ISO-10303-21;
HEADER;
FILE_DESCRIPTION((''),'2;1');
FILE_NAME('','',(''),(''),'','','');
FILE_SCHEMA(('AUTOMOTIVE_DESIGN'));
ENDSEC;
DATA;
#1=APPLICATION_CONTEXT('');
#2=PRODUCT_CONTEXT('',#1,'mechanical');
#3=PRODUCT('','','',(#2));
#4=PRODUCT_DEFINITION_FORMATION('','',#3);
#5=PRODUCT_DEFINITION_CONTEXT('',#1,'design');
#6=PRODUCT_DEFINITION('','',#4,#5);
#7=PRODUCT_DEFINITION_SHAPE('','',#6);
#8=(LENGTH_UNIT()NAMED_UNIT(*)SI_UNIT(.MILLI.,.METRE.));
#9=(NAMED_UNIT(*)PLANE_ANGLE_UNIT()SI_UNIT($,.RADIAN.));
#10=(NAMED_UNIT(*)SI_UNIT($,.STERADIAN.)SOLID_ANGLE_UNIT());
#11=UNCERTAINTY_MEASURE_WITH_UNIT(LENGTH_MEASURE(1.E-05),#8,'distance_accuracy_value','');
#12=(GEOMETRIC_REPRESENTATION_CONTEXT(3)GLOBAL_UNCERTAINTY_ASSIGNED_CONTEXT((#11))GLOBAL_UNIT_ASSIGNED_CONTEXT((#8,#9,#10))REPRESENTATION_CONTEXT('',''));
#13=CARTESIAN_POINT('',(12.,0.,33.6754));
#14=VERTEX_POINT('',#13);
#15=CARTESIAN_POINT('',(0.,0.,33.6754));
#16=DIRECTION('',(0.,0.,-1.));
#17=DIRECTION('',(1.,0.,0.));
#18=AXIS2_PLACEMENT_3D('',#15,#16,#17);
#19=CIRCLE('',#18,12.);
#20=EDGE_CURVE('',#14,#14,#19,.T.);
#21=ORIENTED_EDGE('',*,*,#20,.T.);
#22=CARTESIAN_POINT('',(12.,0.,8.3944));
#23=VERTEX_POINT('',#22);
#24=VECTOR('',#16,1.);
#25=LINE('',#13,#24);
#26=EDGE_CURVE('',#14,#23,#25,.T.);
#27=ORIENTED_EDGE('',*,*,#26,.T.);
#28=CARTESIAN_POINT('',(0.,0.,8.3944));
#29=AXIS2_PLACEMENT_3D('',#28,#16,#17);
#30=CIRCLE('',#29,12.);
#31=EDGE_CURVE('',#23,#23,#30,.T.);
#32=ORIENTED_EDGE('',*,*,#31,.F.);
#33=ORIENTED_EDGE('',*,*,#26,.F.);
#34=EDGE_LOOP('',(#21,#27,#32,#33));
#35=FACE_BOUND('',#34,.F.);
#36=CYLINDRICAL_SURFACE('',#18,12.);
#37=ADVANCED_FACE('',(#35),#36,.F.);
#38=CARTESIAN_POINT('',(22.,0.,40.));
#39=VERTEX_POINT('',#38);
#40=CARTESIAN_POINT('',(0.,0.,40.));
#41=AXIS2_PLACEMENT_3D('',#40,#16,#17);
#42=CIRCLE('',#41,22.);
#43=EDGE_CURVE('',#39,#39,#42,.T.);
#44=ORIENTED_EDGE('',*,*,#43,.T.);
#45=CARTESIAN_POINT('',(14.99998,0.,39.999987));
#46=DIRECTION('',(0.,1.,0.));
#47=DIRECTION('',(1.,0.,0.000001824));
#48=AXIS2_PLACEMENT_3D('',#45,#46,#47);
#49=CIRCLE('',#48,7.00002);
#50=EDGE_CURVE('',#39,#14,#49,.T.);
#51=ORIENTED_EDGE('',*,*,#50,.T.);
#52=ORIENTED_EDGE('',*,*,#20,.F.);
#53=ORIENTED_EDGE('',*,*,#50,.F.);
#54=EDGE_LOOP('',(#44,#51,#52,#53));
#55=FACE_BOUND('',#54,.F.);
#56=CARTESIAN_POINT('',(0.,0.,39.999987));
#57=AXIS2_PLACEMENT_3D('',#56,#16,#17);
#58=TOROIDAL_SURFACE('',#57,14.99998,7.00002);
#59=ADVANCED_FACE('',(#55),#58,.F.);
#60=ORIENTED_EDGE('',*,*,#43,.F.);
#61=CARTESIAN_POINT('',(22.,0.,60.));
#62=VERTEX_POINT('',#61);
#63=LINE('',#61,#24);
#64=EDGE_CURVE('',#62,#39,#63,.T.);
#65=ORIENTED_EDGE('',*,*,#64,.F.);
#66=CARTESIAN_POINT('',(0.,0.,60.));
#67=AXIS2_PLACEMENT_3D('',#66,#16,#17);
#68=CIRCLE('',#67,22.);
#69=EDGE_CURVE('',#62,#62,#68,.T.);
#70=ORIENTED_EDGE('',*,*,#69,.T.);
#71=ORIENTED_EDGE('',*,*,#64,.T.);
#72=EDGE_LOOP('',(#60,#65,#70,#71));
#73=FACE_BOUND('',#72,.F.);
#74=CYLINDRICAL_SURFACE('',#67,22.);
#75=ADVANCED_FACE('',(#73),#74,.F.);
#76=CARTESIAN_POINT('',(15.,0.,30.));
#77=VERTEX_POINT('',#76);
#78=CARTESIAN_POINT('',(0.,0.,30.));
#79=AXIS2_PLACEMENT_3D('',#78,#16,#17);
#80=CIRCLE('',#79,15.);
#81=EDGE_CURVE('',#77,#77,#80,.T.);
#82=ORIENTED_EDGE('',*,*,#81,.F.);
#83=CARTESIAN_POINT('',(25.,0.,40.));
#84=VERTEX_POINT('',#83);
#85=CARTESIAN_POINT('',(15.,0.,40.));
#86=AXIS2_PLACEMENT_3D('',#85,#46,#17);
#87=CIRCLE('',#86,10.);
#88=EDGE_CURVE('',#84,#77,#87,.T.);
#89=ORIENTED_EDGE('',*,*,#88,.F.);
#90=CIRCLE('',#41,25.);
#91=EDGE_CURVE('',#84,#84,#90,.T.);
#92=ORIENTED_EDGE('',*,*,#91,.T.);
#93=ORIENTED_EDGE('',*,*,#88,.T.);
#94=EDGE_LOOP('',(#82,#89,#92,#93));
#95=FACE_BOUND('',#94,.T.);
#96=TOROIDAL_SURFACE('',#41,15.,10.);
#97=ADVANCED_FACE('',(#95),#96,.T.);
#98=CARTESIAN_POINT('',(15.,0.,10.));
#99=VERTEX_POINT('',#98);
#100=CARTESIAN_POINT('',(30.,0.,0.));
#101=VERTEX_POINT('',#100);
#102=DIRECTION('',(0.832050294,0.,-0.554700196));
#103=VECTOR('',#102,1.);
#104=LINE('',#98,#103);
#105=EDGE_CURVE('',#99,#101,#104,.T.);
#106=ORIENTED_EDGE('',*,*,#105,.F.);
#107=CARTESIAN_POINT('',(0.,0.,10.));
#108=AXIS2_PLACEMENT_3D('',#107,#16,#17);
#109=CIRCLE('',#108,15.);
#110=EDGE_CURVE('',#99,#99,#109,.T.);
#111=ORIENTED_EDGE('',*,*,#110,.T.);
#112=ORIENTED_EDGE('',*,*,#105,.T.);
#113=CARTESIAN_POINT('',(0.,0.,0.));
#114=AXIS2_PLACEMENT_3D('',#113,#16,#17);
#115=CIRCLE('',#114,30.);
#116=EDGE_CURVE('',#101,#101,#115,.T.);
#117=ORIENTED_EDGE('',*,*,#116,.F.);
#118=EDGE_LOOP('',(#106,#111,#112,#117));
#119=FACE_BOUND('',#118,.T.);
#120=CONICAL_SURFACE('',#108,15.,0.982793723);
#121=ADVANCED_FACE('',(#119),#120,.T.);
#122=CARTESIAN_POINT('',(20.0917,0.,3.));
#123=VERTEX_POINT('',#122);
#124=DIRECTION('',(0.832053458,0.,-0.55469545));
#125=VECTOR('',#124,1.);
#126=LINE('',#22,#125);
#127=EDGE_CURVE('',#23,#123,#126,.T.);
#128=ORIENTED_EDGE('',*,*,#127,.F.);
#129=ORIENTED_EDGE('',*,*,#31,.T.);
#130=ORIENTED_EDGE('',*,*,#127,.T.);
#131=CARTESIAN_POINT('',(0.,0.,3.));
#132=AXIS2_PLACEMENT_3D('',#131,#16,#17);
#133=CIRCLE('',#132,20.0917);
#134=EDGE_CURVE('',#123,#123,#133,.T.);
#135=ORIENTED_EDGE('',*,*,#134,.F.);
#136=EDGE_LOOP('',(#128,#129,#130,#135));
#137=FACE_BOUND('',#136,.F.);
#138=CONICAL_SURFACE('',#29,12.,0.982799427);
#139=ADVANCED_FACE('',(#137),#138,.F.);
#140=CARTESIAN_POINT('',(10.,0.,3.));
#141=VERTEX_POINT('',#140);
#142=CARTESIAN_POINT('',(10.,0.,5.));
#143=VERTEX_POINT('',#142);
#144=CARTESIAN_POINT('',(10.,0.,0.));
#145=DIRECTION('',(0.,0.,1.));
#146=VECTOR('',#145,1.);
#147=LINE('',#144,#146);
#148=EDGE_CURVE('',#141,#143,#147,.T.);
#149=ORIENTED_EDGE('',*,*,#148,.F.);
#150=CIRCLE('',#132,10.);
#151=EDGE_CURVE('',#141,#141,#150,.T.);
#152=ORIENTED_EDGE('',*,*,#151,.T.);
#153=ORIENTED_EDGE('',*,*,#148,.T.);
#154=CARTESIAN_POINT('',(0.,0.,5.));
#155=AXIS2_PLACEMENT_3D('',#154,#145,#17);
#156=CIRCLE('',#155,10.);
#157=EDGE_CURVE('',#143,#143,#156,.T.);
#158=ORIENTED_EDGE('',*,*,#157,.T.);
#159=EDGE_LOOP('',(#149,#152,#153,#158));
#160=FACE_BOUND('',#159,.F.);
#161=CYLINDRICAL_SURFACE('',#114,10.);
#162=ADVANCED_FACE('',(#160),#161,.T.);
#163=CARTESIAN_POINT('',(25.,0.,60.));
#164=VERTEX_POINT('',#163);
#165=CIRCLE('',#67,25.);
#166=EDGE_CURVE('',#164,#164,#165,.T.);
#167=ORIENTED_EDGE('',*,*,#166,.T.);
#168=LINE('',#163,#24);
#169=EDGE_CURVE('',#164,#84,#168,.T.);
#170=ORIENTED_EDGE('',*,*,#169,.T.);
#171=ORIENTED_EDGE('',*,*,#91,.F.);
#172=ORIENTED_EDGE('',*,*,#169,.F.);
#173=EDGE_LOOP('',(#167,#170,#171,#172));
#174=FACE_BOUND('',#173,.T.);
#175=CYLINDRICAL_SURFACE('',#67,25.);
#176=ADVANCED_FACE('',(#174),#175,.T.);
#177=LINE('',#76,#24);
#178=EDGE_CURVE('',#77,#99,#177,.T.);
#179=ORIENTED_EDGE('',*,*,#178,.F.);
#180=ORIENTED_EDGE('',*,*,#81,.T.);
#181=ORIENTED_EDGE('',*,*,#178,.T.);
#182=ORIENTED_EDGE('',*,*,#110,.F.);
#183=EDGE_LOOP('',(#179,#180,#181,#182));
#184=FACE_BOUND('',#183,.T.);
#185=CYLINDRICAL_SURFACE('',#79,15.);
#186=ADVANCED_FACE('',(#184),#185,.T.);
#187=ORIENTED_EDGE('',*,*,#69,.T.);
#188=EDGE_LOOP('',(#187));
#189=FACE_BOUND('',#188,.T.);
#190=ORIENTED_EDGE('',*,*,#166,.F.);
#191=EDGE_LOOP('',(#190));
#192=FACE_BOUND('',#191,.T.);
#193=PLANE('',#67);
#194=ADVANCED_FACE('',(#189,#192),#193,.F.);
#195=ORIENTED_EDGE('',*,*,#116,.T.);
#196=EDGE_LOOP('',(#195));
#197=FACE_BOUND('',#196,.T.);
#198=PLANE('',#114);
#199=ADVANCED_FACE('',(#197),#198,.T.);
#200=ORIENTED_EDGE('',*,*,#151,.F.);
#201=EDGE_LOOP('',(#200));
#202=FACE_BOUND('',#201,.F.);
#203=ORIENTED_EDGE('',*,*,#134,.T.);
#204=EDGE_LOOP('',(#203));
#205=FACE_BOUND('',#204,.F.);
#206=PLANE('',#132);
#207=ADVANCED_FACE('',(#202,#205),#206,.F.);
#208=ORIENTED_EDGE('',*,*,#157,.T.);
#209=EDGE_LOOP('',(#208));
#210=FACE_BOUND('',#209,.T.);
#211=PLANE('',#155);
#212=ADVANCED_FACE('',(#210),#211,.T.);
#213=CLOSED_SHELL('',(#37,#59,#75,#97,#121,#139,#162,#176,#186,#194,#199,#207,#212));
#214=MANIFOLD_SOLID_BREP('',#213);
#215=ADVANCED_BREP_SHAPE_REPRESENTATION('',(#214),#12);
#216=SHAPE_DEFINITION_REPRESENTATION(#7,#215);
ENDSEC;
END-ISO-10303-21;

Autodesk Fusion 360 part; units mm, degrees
sketch "outline" plane through (0, 0, 0) normal (0, 1, 0) x (1, 0, 0)
  line L0 (25, -60) -> (25, -40)
  arc A0 (25, -40) -> (15, -30) centre (15, -40) ccw
  line L1 (15, -30) -> (15, -10)
  line L2 (15, -10) -> (30, 0)
  line L3 (30, 0) -> (10, 0)
  line L4 (22, -60) -> (22, -40)
  arc A1 (22, -40) -> (12, -33.6754) centre (15, -40) ccw
  line L5 (12, -33.6754) -> (12, -8.3944)
  line L6 (12, -8.3944) -> (20.0917, -3)
  line L7 (20.0917, -3) -> (10, -3)
  line L8 (22, -60) -> (25, -60)
  line L9 (10, -3) -> (10, 0)
  line L10 (0, -60) -> (0, 0) construction
  dimension "d1" = -3
  dimension "d2" = 20
  dimension "d3" = 10
  dimension "d4" = 20
  dimension "d5" = 18.0278
  dimension "d6" = 20
revolve "Revolve1" add sketch "outline" angle 360 about axis through (0, 0, 60) along (0, 0, -1)
sketch "Sketch2" plane through (0, 0, 0) normal (0, 0, 1) x (1, 0, 0)
  circle A0 centre (0, 0) radius 10
extrude "Extrude1" add sketch "Sketch2" along normal blind 5
